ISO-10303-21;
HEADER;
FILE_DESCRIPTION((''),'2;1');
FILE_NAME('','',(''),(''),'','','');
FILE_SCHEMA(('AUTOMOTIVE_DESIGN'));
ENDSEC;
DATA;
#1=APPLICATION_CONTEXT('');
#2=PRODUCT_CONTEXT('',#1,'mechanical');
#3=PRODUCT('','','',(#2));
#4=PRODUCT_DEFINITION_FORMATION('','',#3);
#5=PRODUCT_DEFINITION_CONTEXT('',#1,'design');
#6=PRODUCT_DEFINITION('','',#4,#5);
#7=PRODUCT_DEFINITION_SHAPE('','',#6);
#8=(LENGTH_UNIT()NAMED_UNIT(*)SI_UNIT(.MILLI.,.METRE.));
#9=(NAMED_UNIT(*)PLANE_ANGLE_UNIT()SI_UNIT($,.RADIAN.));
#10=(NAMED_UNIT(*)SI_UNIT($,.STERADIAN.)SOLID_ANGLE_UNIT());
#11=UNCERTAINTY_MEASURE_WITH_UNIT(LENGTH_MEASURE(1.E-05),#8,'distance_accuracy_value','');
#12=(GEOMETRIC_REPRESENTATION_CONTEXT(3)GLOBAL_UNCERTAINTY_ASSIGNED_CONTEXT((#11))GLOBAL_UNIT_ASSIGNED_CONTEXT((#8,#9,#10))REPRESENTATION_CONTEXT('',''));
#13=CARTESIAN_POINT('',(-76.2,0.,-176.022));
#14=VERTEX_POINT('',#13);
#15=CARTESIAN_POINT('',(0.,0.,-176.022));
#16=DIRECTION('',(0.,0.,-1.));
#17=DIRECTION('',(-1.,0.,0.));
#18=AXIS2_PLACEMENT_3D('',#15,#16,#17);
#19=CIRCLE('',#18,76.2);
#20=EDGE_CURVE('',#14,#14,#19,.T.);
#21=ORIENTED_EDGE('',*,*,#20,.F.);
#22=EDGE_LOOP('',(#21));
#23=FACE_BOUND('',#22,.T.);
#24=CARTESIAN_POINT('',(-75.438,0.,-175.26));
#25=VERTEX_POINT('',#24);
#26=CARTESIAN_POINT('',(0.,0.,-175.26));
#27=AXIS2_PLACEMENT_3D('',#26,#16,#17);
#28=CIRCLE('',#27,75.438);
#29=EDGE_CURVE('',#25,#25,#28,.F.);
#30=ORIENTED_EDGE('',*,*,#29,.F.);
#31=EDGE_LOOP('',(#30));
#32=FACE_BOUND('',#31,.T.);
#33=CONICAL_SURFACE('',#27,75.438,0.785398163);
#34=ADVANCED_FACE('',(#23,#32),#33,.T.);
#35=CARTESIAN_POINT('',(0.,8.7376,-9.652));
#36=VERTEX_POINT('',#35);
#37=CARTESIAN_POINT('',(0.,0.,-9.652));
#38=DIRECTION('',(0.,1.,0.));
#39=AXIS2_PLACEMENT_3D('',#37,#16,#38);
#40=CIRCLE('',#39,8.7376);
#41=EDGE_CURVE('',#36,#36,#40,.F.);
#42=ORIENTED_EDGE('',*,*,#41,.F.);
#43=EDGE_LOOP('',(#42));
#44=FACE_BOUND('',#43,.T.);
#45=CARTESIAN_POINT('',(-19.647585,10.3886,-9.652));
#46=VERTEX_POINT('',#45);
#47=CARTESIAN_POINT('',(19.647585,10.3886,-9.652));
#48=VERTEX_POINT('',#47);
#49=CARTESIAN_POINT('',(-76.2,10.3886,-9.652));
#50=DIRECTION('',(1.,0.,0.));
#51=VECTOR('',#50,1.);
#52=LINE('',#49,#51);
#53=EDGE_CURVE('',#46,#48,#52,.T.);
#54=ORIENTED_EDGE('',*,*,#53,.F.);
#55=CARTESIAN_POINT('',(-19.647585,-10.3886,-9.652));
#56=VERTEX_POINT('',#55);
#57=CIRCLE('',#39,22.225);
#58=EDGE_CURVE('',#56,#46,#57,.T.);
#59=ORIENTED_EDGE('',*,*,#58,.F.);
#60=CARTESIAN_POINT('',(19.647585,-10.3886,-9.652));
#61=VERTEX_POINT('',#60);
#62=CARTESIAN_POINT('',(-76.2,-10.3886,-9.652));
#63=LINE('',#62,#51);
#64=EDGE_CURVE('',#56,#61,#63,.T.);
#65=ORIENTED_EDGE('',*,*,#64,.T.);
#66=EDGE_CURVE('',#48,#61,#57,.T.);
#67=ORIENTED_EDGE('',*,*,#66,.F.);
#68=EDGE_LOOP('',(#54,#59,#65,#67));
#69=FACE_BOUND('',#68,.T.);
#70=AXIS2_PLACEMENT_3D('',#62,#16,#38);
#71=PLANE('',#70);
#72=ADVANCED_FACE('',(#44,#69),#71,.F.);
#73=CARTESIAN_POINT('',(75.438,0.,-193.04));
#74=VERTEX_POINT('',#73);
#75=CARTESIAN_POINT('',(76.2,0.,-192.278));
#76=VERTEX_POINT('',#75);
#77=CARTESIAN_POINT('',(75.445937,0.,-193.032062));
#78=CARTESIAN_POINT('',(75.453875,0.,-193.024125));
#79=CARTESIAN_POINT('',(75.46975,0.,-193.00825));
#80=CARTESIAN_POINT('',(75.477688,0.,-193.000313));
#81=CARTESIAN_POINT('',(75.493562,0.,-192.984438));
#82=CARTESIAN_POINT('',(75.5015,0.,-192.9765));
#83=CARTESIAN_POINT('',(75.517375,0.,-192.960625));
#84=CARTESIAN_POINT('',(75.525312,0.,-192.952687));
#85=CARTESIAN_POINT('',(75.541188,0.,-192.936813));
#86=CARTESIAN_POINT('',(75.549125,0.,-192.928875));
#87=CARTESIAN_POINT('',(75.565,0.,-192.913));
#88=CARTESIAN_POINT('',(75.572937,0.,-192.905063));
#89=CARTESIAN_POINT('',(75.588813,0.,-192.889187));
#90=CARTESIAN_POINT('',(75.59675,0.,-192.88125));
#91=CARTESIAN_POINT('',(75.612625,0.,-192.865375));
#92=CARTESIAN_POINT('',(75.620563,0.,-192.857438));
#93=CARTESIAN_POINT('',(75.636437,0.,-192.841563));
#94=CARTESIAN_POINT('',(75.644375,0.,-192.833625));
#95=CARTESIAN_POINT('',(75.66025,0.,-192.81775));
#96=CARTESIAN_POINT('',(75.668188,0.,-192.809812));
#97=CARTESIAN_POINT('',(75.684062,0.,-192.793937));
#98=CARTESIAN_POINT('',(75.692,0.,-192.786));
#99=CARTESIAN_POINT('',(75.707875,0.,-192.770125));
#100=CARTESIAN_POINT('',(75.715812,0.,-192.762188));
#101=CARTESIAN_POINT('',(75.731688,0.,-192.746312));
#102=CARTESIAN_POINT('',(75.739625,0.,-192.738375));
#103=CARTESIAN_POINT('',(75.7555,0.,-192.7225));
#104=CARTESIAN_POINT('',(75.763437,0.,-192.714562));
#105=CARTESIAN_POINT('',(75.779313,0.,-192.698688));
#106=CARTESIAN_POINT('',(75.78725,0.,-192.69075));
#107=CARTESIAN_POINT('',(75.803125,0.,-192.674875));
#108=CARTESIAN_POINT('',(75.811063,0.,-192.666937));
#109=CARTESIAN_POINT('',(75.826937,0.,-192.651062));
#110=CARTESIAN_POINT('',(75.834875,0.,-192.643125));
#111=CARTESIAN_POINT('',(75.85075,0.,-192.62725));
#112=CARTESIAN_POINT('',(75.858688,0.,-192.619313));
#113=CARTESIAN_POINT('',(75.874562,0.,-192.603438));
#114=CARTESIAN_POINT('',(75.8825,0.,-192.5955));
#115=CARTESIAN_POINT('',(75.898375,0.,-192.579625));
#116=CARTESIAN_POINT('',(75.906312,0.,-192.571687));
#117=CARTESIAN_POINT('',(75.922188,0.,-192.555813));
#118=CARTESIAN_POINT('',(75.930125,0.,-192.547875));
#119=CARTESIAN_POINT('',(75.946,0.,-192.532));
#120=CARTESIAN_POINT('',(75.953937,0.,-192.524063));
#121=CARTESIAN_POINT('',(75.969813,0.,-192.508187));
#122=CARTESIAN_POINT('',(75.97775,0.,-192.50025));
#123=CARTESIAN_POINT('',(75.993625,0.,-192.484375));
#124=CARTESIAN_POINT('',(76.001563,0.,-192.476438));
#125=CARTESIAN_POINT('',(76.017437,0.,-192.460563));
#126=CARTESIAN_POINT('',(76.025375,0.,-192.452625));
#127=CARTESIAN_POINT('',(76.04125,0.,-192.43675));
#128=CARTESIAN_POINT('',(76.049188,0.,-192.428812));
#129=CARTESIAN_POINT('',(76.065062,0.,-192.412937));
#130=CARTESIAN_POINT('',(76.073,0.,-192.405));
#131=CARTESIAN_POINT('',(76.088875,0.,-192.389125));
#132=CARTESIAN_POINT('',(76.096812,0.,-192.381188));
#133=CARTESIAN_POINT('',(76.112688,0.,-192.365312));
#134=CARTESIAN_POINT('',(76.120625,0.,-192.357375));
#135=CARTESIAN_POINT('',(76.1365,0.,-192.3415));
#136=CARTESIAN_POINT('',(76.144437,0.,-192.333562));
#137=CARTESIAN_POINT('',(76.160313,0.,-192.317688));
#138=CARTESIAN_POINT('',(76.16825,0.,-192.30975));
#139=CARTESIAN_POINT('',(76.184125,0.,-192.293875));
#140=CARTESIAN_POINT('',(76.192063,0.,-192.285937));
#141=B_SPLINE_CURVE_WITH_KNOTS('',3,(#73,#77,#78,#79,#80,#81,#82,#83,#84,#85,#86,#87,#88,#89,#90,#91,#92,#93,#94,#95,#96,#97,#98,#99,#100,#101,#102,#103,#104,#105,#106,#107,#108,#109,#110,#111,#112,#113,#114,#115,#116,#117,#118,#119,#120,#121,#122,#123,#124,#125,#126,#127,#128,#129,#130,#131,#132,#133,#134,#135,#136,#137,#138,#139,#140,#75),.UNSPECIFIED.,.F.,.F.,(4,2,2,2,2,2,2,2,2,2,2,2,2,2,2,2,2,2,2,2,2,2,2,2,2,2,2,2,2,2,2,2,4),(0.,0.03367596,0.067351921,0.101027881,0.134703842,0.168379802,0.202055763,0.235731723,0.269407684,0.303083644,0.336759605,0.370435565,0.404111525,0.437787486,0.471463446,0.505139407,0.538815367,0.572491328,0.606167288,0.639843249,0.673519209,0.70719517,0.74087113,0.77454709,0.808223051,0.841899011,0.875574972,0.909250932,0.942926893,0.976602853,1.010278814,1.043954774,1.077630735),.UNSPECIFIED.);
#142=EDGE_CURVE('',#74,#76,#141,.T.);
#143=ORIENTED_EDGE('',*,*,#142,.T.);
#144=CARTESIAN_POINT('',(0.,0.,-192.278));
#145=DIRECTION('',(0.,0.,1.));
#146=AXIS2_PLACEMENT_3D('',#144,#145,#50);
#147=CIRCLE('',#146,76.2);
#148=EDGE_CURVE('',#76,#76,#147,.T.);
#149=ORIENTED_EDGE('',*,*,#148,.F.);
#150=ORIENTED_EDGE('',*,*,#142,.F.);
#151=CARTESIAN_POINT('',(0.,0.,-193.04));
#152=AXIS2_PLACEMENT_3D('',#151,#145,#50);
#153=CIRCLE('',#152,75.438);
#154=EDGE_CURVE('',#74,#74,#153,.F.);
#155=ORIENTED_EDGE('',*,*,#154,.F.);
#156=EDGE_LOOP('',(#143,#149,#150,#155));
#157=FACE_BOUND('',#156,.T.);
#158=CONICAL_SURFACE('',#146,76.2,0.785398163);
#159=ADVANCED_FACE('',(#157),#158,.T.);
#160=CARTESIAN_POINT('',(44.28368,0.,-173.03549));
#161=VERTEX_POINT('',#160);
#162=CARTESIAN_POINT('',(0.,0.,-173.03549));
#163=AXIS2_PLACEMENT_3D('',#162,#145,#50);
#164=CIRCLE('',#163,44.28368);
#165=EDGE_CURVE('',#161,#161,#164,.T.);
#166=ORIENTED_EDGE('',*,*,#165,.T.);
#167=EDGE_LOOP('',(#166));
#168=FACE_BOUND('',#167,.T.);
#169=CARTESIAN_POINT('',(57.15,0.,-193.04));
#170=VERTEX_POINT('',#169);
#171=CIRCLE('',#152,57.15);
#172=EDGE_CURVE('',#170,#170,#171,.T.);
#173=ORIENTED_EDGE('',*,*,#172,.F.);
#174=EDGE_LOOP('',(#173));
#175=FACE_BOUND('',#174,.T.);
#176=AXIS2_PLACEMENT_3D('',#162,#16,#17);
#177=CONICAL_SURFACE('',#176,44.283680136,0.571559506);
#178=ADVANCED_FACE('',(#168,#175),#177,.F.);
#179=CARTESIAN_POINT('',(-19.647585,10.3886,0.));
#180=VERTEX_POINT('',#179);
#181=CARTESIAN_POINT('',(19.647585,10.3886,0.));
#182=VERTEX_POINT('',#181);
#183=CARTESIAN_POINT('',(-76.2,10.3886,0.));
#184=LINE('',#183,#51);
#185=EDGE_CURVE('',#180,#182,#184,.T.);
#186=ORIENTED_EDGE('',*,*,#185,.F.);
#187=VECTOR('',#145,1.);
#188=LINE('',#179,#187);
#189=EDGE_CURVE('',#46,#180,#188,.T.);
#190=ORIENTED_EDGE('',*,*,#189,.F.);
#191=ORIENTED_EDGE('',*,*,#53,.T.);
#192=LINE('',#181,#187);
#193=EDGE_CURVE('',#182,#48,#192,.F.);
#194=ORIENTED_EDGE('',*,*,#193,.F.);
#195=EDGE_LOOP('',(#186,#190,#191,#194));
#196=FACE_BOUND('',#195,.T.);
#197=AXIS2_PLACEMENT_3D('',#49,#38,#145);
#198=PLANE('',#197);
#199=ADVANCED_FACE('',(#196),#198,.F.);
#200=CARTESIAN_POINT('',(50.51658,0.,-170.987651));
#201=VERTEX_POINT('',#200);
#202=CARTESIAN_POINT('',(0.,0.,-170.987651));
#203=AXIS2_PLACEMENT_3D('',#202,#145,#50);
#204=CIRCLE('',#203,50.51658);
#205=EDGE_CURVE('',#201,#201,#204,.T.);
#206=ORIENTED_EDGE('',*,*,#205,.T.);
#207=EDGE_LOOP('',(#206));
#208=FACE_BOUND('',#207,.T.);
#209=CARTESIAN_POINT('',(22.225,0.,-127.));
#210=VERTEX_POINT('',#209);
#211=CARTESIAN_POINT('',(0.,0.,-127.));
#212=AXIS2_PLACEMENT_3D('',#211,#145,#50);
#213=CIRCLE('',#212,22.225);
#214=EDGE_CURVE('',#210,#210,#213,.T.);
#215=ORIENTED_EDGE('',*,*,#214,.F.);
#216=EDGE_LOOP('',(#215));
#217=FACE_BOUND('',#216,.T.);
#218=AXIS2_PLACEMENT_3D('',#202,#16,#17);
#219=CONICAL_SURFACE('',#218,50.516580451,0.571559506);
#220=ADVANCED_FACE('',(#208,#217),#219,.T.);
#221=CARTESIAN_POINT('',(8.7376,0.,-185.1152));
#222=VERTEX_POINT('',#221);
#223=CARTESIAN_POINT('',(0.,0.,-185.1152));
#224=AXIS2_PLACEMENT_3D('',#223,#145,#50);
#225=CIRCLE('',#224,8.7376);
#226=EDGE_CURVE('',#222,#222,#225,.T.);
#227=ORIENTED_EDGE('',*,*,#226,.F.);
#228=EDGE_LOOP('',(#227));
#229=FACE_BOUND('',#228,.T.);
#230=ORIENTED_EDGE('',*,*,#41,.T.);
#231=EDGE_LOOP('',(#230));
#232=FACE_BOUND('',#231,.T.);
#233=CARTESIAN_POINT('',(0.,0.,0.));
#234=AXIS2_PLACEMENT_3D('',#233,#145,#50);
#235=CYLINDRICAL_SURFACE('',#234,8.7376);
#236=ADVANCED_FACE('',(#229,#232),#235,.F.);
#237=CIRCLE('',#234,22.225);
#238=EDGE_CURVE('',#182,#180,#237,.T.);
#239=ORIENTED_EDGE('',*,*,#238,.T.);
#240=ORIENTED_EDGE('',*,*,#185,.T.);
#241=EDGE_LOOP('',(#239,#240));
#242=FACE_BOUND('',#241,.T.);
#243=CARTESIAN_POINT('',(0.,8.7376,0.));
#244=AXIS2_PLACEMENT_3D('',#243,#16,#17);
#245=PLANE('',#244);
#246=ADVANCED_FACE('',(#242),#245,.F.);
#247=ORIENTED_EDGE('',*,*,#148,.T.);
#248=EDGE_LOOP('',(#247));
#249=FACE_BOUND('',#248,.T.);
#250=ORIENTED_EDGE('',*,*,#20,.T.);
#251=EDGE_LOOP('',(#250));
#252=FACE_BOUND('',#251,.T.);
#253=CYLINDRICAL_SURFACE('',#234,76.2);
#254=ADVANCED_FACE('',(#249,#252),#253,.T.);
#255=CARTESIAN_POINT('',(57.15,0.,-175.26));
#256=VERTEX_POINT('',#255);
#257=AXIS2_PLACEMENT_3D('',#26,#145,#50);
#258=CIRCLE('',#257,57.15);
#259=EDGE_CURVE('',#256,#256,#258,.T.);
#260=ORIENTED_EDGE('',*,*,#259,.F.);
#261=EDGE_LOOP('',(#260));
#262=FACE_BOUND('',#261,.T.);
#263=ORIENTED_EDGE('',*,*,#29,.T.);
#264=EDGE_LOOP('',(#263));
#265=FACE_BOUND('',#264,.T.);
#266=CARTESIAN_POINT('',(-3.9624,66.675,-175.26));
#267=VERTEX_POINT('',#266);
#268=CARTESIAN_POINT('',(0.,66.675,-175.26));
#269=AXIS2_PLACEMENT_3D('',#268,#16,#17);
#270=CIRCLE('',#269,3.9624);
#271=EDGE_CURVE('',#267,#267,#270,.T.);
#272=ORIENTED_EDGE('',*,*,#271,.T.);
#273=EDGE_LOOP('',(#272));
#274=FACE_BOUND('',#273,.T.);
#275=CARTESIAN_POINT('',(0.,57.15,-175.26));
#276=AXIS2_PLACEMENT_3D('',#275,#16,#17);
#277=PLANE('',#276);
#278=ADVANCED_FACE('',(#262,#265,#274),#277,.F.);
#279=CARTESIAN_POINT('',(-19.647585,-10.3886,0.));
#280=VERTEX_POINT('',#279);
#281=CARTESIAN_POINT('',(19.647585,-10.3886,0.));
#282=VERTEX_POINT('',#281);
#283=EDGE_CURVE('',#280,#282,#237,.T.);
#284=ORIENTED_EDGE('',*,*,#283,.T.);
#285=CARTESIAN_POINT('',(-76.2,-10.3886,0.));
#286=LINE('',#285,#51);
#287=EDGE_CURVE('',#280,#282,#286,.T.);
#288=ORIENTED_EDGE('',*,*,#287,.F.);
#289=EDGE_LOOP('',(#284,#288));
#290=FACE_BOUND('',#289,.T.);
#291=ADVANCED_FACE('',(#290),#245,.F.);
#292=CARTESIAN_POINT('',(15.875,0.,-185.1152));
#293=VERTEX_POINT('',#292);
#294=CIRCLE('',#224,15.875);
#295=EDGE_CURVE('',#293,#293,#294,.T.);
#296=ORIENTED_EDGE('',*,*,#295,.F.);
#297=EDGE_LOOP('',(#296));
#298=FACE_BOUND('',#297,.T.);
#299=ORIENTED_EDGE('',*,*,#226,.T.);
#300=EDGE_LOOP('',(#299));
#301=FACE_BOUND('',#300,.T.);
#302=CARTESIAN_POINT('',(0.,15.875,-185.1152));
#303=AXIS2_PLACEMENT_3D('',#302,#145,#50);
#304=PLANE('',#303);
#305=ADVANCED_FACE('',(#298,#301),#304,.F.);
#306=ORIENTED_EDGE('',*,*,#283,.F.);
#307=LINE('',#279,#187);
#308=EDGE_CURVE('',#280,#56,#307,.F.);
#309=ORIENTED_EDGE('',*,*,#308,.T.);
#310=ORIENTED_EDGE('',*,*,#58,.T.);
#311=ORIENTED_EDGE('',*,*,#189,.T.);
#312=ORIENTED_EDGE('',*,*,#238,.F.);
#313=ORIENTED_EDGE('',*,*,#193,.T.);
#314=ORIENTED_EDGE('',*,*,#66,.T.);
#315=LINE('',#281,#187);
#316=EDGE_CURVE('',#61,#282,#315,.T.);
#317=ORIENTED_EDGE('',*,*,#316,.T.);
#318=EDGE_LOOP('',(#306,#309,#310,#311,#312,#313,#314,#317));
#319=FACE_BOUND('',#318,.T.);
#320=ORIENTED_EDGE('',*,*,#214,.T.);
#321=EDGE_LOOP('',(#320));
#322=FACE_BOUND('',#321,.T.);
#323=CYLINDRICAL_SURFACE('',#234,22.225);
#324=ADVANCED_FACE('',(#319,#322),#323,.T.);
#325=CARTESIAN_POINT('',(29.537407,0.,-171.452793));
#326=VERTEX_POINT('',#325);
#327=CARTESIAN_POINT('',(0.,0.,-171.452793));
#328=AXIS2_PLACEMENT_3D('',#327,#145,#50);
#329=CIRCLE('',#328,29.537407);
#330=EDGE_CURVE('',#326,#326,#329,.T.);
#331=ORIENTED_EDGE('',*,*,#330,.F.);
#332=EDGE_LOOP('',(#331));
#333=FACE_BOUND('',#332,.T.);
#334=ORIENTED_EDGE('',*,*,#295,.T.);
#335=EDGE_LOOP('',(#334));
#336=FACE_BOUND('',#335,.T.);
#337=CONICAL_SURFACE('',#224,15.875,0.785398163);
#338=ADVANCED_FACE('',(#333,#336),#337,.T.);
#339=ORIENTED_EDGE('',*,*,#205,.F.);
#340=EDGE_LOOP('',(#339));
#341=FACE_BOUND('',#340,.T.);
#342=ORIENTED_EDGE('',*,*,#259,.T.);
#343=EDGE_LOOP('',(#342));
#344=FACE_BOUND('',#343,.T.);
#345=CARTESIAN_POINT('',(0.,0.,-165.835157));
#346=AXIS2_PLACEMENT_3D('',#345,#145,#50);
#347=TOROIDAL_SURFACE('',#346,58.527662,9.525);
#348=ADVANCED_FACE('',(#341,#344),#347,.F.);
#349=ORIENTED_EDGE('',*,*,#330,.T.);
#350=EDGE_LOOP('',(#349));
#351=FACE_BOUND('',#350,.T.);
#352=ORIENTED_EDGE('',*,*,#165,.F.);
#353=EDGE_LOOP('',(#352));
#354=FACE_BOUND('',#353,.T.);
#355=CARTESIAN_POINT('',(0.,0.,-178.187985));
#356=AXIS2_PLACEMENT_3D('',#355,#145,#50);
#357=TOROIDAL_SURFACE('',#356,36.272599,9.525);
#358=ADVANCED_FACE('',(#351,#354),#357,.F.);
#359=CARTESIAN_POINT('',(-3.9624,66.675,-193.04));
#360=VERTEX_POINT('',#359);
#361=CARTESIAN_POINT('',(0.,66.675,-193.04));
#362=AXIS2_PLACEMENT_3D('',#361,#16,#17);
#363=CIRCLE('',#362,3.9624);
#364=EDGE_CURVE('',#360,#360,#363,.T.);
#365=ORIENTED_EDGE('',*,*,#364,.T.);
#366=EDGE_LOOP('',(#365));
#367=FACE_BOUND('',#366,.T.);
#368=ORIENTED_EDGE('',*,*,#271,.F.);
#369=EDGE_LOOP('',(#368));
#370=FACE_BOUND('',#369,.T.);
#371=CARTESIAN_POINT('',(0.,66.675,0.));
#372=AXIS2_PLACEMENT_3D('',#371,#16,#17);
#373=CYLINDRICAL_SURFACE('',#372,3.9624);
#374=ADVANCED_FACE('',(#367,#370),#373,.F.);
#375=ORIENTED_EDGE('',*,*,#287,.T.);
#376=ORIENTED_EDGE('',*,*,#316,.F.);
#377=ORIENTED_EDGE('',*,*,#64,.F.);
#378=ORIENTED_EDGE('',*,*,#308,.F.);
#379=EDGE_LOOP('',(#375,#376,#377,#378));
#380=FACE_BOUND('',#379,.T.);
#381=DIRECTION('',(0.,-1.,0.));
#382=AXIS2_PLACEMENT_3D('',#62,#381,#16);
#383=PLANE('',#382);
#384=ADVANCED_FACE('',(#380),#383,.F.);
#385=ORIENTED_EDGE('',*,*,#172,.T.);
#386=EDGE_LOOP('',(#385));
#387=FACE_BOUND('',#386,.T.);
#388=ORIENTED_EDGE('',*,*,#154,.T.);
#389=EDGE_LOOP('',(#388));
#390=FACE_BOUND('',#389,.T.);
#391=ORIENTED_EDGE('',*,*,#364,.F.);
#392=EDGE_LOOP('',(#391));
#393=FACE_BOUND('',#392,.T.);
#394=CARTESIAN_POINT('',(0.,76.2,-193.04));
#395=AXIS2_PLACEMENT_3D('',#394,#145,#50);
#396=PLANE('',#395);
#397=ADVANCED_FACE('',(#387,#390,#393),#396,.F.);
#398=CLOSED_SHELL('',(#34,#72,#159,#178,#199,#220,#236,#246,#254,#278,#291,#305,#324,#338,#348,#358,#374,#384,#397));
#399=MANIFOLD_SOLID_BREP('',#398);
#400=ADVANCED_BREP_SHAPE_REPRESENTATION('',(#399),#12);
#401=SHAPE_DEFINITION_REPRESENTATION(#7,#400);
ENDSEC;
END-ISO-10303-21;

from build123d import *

# Parameters (mm, degrees)
CHAMFER1_SIZE           = 0.762
CUT_EXTRUDE1_DEPTH      = 222.082160293
CUT_EXTRUDE1_DEPTH_BACK = 222.082160293
SKETCH2_W               = 9.652
SKETCH2_H               = 20.7772
SKETCH3_R               = 3.9624
CUT_EXTRUDE2_DEPTH      = 222.082160293


with BuildPart() as part:
    # Sketch1 → Revolve1 (revolve)
    with BuildSketch(Plane(origin=(0, 0, 0), x_dir=(0, 0, -1), z_dir=(1, 0, 0)), mode=Mode.PRIVATE) as revolve1_sk:
        with BuildLine():
            Line((0, 8.7376), (0, 22.225))
            Line((0, 22.225), (127, 22.225))
            Line((127, 22.225), (170.987651441, 50.516580451))
            ThreePointArc((170.987651441, 50.516580451), (173.842981601, 53.370107614), (175.26, 57.15))
            Line((175.26, 57.15), (175.26, 76.2))
            Line((175.26, 76.2), (193.04, 76.2))
            Line((193.04, 76.2), (193.04, 57.15))
            Line((193.04, 57.15), (173.035490373, 44.283680136))
            ThreePointArc((173.035490373, 44.283680136), (168.717377059, 37.289066304), (171.452793139, 29.537406861))
            Line((171.452793139, 29.537406861), (185.1152, 15.875))
            Line((185.1152, 15.875), (185.1152, 8.7376))
            Line((185.1152, 8.7376), (0, 8.7376))
        make_face()
    revolve(revolve1_sk.sketch.rotate(Axis((0, 0, 0), (0, 0, -1)), 90), axis=Axis((0, 0, 0), (0, 0, -1)))

    # Chamfer1
    chamfer1_edges = [part.edges().sort_by_distance(p)[0] for p in [
        (-76.2, 0, -193.04),
        (-76.2, 0, -175.26),
    ]]
    chamfer(chamfer1_edges, length=CHAMFER1_SIZE)

    # Sketch2 → Cut-Extrude1 (cut, two sides: drawn at the far end of the back side and taken through both)
    with BuildSketch(Plane(origin=(0, 0, 0), x_dir=(0, 0, -1), z_dir=(1, 0, 0)).offset(-CUT_EXTRUDE1_DEPTH_BACK)):
        with Locations((4.826, 0)):
            Rectangle(SKETCH2_W, SKETCH2_H)
    extrude(amount=CUT_EXTRUDE1_DEPTH + CUT_EXTRUDE1_DEPTH_BACK, mode=Mode.SUBTRACT)

    # Sketch3 → Cut-Extrude2 (cut, through all)
    with BuildSketch(Plane(origin=(0, 0, -193.04), x_dir=(-1, 0, 0), z_dir=(0, 0, -1))):
        with Locations((0, 66.675)):
            Circle(SKETCH3_R)
    extrude(amount=-CUT_EXTRUDE2_DEPTH, mode=Mode.SUBTRACT)


solid = part.part
